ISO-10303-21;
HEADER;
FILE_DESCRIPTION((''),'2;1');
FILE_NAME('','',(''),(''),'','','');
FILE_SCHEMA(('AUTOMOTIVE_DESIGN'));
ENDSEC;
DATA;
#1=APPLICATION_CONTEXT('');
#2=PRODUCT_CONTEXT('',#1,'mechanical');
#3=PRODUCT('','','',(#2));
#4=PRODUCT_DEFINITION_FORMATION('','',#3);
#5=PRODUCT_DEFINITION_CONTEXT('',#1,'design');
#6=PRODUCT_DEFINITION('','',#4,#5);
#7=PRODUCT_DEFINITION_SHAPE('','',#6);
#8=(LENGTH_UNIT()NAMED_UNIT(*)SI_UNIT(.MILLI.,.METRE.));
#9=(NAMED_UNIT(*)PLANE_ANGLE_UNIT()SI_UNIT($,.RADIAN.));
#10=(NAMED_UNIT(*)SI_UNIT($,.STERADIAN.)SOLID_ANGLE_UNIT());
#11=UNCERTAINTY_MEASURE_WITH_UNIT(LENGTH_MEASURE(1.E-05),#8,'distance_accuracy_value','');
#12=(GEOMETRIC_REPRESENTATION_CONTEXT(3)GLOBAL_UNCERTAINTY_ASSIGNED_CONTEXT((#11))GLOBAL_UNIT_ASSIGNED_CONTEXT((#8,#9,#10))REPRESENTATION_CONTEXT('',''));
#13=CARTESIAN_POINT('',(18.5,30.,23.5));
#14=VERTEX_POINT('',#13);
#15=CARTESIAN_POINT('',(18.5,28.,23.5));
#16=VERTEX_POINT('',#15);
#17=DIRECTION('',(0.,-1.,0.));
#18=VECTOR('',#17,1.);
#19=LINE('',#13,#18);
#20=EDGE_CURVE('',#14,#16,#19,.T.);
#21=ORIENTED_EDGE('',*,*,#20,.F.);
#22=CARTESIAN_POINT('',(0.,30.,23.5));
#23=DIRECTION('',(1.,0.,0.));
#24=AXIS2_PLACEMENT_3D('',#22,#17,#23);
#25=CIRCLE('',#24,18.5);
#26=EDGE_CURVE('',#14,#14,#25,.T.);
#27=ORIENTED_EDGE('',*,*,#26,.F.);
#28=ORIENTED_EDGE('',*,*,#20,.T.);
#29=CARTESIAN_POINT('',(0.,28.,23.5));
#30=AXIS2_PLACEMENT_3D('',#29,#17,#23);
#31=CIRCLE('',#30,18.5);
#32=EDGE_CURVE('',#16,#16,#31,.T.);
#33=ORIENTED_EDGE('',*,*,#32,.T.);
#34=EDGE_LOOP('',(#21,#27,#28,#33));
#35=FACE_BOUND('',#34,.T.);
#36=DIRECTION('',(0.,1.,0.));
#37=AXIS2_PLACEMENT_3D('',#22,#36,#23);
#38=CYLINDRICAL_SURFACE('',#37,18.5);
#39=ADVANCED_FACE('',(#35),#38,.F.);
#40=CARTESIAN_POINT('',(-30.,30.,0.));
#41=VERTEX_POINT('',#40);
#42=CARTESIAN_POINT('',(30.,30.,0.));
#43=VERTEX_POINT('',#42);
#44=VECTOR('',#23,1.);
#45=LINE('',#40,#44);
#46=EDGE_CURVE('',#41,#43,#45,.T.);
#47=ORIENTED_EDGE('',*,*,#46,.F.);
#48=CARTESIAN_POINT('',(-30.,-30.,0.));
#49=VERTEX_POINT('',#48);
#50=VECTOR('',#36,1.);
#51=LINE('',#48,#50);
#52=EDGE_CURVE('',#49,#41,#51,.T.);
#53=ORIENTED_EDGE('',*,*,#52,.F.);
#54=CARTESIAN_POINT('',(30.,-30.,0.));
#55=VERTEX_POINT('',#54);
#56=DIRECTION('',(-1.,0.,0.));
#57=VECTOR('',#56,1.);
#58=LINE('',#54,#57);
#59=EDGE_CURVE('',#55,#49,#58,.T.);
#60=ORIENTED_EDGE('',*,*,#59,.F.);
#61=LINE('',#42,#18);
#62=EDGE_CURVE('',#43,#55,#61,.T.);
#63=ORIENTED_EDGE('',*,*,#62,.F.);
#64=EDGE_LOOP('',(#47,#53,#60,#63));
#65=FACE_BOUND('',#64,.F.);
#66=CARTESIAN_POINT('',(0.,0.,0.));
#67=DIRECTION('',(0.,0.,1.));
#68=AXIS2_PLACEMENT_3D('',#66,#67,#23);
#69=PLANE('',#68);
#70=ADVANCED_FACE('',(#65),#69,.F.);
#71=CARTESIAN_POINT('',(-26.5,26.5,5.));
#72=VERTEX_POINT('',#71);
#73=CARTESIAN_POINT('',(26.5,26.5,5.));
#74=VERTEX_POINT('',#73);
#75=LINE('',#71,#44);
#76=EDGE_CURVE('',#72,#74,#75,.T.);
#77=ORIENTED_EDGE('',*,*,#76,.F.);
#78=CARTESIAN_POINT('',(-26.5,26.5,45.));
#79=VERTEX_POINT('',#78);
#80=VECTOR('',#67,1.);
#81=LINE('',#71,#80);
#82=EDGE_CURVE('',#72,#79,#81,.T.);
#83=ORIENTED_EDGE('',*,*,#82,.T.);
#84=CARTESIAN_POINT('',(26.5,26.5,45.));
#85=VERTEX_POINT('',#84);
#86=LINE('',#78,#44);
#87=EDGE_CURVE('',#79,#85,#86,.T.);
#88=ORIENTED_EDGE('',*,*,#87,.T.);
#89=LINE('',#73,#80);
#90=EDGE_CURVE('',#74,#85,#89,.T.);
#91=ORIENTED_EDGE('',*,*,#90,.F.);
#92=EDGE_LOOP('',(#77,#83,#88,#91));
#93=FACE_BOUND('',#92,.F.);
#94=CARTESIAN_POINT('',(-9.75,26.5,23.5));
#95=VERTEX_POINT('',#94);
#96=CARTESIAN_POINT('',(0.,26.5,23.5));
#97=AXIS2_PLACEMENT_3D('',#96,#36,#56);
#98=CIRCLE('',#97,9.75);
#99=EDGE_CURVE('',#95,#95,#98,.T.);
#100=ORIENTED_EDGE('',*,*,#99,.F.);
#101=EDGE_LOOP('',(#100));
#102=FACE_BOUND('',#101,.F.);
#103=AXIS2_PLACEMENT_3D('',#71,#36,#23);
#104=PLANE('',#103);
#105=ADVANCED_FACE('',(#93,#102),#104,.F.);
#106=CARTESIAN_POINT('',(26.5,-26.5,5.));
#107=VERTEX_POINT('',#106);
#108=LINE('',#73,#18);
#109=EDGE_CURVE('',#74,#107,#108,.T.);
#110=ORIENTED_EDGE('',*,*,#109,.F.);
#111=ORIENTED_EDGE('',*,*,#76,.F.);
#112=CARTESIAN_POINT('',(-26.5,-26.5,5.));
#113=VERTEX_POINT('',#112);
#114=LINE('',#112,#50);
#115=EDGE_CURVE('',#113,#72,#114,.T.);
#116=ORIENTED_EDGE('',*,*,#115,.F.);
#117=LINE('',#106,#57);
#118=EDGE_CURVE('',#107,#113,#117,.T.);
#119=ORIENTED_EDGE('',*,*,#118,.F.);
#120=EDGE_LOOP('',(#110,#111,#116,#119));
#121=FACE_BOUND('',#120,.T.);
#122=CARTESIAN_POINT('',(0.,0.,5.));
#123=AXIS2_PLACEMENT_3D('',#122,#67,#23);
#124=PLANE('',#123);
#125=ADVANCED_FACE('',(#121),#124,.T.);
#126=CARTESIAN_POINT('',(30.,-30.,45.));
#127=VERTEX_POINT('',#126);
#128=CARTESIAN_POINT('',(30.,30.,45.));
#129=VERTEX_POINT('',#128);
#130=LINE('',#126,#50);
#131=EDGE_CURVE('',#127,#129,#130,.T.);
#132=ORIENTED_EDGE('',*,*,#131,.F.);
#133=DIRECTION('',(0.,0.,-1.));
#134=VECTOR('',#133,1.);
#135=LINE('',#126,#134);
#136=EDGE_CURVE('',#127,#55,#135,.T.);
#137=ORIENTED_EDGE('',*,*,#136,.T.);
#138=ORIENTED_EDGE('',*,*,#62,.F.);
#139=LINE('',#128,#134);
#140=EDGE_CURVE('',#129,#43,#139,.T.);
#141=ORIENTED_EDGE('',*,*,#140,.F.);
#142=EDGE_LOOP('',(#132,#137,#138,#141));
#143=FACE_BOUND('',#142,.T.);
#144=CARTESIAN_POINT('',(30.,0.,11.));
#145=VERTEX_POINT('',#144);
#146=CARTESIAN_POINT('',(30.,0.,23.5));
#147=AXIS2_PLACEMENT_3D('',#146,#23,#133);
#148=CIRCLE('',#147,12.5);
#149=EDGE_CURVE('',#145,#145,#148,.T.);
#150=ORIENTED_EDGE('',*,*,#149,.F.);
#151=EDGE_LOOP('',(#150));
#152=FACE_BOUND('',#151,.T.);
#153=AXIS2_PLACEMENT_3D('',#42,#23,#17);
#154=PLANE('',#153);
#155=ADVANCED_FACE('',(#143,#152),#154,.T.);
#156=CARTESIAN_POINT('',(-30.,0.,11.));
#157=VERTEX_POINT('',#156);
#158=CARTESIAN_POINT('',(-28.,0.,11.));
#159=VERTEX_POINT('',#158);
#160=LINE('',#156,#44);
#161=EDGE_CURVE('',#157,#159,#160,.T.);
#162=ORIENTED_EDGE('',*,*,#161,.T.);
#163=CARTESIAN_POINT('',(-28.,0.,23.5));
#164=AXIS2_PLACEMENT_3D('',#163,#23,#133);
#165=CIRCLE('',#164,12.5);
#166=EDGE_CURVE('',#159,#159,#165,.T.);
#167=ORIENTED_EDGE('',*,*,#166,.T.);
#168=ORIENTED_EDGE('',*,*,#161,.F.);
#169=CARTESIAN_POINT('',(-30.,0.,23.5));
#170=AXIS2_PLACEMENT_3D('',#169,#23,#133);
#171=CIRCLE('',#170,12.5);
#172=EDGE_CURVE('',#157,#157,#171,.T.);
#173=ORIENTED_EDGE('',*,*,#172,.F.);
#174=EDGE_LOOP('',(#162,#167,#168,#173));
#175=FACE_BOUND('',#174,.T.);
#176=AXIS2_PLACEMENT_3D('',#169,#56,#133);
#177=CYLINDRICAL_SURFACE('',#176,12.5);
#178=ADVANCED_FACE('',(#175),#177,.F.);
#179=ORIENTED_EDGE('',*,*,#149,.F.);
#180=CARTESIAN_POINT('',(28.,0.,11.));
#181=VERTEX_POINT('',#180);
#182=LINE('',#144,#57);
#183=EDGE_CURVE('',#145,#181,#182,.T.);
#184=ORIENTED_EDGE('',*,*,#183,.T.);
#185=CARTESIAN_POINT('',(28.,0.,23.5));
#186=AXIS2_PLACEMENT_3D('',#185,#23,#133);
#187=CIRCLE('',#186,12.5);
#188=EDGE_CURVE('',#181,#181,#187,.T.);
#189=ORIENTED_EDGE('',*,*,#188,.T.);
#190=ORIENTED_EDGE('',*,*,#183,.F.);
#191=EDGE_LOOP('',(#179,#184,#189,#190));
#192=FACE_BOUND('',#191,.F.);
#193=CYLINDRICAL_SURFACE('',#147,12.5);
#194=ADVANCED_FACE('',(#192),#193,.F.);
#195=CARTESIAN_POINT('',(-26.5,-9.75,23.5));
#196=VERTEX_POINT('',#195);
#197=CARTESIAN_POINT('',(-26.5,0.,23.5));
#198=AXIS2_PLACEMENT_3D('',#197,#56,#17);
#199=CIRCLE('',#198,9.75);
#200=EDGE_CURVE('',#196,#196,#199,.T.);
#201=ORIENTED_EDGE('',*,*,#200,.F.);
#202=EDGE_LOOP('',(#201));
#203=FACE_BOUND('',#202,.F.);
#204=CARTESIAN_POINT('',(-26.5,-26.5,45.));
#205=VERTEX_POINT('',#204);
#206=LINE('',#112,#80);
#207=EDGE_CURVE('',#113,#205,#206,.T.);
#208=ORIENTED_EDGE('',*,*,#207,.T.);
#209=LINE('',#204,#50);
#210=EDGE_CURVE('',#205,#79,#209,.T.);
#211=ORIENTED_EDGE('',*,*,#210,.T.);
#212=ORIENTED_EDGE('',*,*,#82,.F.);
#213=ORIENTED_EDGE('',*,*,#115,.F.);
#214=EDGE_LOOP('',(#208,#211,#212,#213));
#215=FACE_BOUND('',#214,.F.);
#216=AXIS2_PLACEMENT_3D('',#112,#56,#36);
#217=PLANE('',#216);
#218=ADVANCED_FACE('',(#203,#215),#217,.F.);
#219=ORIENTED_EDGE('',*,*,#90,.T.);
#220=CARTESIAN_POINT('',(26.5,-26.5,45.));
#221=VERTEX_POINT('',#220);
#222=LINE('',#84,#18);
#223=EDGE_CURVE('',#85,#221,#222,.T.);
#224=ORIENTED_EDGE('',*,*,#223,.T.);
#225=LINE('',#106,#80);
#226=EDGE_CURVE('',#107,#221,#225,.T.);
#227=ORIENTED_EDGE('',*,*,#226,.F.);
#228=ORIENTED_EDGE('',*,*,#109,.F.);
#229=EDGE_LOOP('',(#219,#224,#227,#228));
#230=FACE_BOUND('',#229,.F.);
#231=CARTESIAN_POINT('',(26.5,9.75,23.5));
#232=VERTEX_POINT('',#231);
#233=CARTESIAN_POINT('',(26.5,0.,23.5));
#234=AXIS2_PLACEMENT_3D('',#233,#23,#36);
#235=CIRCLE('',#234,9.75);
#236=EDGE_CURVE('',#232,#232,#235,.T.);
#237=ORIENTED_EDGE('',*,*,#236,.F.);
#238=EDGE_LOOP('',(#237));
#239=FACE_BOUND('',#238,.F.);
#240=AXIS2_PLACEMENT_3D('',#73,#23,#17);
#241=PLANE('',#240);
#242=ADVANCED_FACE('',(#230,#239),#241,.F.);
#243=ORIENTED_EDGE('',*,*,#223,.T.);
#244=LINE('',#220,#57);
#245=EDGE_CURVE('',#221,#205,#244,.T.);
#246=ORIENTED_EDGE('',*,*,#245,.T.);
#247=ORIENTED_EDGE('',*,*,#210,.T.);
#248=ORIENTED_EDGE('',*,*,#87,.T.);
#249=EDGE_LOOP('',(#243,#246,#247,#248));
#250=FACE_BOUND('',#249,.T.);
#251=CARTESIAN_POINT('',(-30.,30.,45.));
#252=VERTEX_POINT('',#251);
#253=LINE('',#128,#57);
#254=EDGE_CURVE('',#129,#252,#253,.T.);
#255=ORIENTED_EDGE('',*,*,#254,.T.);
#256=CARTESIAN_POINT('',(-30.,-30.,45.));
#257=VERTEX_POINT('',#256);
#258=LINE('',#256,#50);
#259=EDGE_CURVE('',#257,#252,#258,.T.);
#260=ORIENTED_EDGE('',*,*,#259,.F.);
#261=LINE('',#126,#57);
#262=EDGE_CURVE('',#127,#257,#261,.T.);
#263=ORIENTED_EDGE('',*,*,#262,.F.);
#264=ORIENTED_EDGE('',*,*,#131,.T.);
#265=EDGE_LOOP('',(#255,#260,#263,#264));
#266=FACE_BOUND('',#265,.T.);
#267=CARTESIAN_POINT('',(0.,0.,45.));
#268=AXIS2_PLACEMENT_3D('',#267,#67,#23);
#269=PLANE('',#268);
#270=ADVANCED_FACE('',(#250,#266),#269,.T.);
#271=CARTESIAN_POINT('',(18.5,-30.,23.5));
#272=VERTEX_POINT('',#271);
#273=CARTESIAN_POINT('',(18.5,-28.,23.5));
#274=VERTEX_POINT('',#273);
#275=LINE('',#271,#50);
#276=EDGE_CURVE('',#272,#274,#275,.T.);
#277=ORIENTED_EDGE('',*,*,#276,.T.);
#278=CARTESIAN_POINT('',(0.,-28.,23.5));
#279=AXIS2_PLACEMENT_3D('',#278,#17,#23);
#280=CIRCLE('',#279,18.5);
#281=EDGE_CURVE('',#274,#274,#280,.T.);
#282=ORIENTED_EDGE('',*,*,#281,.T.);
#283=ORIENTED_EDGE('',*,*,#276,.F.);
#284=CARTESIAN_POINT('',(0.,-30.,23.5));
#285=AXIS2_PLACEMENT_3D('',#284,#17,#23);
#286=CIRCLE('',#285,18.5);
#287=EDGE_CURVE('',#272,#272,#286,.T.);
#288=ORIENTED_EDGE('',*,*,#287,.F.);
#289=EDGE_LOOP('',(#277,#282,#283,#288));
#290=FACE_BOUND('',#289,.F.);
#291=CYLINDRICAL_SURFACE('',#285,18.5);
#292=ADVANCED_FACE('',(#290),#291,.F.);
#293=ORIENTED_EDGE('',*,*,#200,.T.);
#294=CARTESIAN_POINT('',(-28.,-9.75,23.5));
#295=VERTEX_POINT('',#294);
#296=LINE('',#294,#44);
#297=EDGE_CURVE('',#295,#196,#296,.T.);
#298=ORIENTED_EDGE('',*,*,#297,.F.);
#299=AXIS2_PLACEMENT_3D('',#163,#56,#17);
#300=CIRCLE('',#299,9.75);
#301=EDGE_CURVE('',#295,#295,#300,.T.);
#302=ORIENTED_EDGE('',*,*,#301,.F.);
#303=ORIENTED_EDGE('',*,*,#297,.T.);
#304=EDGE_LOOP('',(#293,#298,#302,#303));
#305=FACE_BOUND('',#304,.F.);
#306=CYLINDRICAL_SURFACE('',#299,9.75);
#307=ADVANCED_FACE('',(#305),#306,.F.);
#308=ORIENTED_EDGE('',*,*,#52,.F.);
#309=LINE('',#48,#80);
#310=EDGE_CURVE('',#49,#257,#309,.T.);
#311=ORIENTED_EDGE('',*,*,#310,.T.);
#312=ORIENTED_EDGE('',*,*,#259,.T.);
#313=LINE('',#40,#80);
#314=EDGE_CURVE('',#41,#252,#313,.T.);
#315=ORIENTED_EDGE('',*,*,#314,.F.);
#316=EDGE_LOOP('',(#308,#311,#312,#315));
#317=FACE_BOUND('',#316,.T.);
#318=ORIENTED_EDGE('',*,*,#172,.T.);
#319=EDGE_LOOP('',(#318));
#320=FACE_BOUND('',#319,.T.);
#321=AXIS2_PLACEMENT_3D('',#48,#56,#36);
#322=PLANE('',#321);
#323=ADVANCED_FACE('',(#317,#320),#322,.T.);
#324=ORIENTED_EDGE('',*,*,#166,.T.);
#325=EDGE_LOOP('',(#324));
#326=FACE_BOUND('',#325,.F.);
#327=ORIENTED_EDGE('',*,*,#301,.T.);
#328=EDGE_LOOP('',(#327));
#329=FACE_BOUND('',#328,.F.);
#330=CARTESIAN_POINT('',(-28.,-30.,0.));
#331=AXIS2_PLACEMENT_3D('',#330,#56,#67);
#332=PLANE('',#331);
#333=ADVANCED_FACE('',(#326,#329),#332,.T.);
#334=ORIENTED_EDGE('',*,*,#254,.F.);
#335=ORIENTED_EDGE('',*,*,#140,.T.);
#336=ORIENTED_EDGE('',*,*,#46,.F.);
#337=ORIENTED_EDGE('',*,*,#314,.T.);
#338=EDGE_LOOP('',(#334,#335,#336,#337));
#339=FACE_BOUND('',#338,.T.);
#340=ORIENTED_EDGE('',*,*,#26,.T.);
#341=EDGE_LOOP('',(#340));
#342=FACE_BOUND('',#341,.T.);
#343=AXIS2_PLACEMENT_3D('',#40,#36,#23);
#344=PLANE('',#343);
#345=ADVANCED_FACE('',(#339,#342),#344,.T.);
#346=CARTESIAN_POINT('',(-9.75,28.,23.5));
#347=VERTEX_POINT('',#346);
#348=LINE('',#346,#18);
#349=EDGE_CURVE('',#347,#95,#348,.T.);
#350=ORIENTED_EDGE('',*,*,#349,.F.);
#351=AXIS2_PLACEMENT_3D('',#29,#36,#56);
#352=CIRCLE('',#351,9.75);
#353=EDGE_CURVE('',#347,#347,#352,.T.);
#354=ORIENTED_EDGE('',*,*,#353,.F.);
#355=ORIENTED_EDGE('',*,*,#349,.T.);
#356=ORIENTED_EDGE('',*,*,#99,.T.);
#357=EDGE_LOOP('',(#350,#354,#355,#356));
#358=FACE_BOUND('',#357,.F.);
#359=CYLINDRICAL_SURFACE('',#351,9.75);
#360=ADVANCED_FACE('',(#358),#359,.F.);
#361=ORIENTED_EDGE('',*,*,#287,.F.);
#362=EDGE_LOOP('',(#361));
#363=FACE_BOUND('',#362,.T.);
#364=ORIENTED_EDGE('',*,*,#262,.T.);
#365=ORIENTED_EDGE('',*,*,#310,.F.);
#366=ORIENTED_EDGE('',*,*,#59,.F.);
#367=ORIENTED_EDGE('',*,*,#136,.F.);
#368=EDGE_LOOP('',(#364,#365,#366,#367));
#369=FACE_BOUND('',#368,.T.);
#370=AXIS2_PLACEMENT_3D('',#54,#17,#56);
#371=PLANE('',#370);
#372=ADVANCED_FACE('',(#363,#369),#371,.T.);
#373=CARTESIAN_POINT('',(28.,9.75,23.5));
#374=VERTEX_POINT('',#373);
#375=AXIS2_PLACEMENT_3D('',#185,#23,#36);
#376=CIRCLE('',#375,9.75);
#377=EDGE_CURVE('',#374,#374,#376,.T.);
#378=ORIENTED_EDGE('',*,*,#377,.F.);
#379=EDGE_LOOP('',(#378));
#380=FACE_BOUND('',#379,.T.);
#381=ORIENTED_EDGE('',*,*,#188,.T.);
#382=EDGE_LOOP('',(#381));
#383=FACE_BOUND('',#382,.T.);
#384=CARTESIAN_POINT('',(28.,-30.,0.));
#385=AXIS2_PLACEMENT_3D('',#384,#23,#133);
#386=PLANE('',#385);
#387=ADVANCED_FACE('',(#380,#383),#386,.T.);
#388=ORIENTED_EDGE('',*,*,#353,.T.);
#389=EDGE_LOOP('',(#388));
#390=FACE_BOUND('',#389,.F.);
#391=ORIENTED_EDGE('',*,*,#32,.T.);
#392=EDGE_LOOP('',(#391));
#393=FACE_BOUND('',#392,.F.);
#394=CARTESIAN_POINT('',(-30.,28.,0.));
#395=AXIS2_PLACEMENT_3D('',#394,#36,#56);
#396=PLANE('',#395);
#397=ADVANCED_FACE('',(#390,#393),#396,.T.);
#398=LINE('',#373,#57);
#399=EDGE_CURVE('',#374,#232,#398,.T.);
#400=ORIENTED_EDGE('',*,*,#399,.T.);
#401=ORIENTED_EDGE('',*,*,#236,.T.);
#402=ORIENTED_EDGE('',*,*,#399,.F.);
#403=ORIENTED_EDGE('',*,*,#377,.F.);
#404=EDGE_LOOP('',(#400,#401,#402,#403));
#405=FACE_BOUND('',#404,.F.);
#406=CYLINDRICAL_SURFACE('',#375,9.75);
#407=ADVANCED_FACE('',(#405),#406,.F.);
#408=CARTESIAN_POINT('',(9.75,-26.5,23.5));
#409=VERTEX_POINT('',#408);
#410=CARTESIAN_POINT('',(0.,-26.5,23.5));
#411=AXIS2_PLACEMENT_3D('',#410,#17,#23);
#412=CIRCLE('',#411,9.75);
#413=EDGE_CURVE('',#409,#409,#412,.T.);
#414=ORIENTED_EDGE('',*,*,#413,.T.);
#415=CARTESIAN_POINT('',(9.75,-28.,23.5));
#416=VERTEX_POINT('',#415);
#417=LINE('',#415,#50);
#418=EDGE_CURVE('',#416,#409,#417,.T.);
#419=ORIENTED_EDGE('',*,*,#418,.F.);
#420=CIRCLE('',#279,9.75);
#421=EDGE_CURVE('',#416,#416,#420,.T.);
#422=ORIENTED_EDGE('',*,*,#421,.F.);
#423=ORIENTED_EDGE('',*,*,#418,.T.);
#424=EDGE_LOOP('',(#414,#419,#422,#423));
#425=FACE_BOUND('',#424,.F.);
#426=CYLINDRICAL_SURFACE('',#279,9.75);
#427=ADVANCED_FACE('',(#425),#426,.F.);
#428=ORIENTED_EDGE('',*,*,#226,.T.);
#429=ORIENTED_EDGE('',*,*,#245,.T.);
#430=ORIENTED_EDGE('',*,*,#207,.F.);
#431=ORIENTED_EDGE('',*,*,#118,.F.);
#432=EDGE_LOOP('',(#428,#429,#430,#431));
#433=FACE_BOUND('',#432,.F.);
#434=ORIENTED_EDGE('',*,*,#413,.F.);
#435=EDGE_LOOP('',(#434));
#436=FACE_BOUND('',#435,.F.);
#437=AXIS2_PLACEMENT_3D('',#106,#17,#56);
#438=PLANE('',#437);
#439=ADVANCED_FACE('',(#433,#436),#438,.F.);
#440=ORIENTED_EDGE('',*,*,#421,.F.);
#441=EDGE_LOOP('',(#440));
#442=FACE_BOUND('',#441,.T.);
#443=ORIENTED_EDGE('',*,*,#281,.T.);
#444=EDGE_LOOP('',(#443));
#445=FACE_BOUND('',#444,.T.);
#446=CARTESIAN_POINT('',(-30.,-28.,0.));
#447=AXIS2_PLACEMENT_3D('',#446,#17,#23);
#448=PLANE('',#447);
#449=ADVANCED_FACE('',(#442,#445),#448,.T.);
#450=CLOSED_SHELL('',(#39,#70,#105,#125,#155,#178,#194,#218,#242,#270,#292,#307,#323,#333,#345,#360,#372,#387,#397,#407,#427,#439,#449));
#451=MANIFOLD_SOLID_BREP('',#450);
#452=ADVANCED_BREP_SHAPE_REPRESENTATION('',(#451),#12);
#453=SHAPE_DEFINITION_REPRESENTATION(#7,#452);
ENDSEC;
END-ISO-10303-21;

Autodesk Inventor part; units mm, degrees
ref_plane "YZ Plane" through (0, 0, 0) normal (1, 0, 0) x (0, 1, 0)
ref_plane "XZ Plane" through (0, 0, 0) normal (0, 1, 0) x (-1, 0, 0)
ref_plane "XY Plane" through (0, 0, 0) normal (0, 0, 1) x (1, 0, 0)
sketch "Sketch1" plane through (0, 0, 0) normal (0, 0, 1) x (1, 0, 0)
  line L0 (-30, 30) -> (30, 30)
  line L1 (30, 30) -> (30, -30)
  line L2 (30, -30) -> (-30, -30)
  line L3 (-30, -30) -> (-30, 30)
  point P0 (0, 0)
  dimension "d0" = 60
  dimension "d1" = 60
  dimension "d2" = 30
  dimension "d3" = 30
extrude "Extrusion1" add sketch "Sketch1" along normal blind 5
sketch "Sketch2" plane through (0, 0, 5) normal (0, 0, 1) x (1, 0, 0)
  line L0 (-26.5, 26.5) -> (26.5, 26.5)
  line L1 (26.5, 26.5) -> (26.5, -26.5)
  line L2 (26.5, -26.5) -> (-26.5, -26.5)
  line L3 (-26.5, -26.5) -> (-26.5, 26.5)
  line L4 (30, 30) -> (-30, 30) projected
  line L5 (30, -30) -> (30, 30) projected
  line L6 (-30, 30) -> (30, 30)
  line L7 (30, 30) -> (30, -30)
  line L8 (30, -30) -> (-30, -30)
  line L9 (-30, -30) -> (-30, 30)
  point P0 (0, 0)
  dimension "d6" = 53
  dimension "d7" = 53
  dimension "d8" = 26.5
  dimension "d9" = 26.5
extrude "Extrusion2" add sketch "Sketch2" along normal blind 40
sketch "Sketch3" plane through (-30, -30, 0) normal (0, -1, 0) x (1, 0, 0)
  circle A0 centre (30, 23.5) radius 18.5
  point P0 (30, 0)
  dimension "d12" = 37
  dimension "d13" = 23.5
extrude "Extrusion3" cut sketch "Sketch3" against normal blind 2
sketch "Sketch4" plane through (0, -28, 23.5) normal (0, -1, 0) x (1, 0, 0)
  circle A0 centre (0, 0) radius 9.75
  circle A1 centre (0, 0) radius 18.5 projected
  point P0 (0, -23.5)
  dimension "d19" = 19.5
extrude "Extrusion4" cut sketch "Sketch4" against normal blind 2 contours A0
pattern_circular "Circular Pattern2" count 4 over 360 about axis through (0, 0, -10) along (0, 0, 1) of "Extrusion4"
mirror "Mirror1" about plane through (0, 0, 0) normal (0, 1, 0) of "Extrusion3"
sketch "Sketch6" plane through (30, -30, 0) normal (1, 0, 0) x (0, 0, -1)
  circle A0 centre (-23.5, 30) radius 12.5
  circle A1 centre (-23.5, 30) radius 9.75 projected
  point P0 (0, 30)
  dimension "d28" = 25
extrude "Extrusion6" cut sketch "Sketch6" against normal blind 2 contours A0 | A1
mirror "Mirror2" about plane through (0, 0, 0) normal (1, 0, 0) of "Extrusion6"
equation "\"d2\" = 0.5 * d0"
equation "\"d3\" = 0.5 * d1"
equation "\"d8\" = 0.5 * d7"
equation "\"d9\" = 0.5 * d6"
properties part number "sampleChamber_singlePiece_filipeSample_V1"
